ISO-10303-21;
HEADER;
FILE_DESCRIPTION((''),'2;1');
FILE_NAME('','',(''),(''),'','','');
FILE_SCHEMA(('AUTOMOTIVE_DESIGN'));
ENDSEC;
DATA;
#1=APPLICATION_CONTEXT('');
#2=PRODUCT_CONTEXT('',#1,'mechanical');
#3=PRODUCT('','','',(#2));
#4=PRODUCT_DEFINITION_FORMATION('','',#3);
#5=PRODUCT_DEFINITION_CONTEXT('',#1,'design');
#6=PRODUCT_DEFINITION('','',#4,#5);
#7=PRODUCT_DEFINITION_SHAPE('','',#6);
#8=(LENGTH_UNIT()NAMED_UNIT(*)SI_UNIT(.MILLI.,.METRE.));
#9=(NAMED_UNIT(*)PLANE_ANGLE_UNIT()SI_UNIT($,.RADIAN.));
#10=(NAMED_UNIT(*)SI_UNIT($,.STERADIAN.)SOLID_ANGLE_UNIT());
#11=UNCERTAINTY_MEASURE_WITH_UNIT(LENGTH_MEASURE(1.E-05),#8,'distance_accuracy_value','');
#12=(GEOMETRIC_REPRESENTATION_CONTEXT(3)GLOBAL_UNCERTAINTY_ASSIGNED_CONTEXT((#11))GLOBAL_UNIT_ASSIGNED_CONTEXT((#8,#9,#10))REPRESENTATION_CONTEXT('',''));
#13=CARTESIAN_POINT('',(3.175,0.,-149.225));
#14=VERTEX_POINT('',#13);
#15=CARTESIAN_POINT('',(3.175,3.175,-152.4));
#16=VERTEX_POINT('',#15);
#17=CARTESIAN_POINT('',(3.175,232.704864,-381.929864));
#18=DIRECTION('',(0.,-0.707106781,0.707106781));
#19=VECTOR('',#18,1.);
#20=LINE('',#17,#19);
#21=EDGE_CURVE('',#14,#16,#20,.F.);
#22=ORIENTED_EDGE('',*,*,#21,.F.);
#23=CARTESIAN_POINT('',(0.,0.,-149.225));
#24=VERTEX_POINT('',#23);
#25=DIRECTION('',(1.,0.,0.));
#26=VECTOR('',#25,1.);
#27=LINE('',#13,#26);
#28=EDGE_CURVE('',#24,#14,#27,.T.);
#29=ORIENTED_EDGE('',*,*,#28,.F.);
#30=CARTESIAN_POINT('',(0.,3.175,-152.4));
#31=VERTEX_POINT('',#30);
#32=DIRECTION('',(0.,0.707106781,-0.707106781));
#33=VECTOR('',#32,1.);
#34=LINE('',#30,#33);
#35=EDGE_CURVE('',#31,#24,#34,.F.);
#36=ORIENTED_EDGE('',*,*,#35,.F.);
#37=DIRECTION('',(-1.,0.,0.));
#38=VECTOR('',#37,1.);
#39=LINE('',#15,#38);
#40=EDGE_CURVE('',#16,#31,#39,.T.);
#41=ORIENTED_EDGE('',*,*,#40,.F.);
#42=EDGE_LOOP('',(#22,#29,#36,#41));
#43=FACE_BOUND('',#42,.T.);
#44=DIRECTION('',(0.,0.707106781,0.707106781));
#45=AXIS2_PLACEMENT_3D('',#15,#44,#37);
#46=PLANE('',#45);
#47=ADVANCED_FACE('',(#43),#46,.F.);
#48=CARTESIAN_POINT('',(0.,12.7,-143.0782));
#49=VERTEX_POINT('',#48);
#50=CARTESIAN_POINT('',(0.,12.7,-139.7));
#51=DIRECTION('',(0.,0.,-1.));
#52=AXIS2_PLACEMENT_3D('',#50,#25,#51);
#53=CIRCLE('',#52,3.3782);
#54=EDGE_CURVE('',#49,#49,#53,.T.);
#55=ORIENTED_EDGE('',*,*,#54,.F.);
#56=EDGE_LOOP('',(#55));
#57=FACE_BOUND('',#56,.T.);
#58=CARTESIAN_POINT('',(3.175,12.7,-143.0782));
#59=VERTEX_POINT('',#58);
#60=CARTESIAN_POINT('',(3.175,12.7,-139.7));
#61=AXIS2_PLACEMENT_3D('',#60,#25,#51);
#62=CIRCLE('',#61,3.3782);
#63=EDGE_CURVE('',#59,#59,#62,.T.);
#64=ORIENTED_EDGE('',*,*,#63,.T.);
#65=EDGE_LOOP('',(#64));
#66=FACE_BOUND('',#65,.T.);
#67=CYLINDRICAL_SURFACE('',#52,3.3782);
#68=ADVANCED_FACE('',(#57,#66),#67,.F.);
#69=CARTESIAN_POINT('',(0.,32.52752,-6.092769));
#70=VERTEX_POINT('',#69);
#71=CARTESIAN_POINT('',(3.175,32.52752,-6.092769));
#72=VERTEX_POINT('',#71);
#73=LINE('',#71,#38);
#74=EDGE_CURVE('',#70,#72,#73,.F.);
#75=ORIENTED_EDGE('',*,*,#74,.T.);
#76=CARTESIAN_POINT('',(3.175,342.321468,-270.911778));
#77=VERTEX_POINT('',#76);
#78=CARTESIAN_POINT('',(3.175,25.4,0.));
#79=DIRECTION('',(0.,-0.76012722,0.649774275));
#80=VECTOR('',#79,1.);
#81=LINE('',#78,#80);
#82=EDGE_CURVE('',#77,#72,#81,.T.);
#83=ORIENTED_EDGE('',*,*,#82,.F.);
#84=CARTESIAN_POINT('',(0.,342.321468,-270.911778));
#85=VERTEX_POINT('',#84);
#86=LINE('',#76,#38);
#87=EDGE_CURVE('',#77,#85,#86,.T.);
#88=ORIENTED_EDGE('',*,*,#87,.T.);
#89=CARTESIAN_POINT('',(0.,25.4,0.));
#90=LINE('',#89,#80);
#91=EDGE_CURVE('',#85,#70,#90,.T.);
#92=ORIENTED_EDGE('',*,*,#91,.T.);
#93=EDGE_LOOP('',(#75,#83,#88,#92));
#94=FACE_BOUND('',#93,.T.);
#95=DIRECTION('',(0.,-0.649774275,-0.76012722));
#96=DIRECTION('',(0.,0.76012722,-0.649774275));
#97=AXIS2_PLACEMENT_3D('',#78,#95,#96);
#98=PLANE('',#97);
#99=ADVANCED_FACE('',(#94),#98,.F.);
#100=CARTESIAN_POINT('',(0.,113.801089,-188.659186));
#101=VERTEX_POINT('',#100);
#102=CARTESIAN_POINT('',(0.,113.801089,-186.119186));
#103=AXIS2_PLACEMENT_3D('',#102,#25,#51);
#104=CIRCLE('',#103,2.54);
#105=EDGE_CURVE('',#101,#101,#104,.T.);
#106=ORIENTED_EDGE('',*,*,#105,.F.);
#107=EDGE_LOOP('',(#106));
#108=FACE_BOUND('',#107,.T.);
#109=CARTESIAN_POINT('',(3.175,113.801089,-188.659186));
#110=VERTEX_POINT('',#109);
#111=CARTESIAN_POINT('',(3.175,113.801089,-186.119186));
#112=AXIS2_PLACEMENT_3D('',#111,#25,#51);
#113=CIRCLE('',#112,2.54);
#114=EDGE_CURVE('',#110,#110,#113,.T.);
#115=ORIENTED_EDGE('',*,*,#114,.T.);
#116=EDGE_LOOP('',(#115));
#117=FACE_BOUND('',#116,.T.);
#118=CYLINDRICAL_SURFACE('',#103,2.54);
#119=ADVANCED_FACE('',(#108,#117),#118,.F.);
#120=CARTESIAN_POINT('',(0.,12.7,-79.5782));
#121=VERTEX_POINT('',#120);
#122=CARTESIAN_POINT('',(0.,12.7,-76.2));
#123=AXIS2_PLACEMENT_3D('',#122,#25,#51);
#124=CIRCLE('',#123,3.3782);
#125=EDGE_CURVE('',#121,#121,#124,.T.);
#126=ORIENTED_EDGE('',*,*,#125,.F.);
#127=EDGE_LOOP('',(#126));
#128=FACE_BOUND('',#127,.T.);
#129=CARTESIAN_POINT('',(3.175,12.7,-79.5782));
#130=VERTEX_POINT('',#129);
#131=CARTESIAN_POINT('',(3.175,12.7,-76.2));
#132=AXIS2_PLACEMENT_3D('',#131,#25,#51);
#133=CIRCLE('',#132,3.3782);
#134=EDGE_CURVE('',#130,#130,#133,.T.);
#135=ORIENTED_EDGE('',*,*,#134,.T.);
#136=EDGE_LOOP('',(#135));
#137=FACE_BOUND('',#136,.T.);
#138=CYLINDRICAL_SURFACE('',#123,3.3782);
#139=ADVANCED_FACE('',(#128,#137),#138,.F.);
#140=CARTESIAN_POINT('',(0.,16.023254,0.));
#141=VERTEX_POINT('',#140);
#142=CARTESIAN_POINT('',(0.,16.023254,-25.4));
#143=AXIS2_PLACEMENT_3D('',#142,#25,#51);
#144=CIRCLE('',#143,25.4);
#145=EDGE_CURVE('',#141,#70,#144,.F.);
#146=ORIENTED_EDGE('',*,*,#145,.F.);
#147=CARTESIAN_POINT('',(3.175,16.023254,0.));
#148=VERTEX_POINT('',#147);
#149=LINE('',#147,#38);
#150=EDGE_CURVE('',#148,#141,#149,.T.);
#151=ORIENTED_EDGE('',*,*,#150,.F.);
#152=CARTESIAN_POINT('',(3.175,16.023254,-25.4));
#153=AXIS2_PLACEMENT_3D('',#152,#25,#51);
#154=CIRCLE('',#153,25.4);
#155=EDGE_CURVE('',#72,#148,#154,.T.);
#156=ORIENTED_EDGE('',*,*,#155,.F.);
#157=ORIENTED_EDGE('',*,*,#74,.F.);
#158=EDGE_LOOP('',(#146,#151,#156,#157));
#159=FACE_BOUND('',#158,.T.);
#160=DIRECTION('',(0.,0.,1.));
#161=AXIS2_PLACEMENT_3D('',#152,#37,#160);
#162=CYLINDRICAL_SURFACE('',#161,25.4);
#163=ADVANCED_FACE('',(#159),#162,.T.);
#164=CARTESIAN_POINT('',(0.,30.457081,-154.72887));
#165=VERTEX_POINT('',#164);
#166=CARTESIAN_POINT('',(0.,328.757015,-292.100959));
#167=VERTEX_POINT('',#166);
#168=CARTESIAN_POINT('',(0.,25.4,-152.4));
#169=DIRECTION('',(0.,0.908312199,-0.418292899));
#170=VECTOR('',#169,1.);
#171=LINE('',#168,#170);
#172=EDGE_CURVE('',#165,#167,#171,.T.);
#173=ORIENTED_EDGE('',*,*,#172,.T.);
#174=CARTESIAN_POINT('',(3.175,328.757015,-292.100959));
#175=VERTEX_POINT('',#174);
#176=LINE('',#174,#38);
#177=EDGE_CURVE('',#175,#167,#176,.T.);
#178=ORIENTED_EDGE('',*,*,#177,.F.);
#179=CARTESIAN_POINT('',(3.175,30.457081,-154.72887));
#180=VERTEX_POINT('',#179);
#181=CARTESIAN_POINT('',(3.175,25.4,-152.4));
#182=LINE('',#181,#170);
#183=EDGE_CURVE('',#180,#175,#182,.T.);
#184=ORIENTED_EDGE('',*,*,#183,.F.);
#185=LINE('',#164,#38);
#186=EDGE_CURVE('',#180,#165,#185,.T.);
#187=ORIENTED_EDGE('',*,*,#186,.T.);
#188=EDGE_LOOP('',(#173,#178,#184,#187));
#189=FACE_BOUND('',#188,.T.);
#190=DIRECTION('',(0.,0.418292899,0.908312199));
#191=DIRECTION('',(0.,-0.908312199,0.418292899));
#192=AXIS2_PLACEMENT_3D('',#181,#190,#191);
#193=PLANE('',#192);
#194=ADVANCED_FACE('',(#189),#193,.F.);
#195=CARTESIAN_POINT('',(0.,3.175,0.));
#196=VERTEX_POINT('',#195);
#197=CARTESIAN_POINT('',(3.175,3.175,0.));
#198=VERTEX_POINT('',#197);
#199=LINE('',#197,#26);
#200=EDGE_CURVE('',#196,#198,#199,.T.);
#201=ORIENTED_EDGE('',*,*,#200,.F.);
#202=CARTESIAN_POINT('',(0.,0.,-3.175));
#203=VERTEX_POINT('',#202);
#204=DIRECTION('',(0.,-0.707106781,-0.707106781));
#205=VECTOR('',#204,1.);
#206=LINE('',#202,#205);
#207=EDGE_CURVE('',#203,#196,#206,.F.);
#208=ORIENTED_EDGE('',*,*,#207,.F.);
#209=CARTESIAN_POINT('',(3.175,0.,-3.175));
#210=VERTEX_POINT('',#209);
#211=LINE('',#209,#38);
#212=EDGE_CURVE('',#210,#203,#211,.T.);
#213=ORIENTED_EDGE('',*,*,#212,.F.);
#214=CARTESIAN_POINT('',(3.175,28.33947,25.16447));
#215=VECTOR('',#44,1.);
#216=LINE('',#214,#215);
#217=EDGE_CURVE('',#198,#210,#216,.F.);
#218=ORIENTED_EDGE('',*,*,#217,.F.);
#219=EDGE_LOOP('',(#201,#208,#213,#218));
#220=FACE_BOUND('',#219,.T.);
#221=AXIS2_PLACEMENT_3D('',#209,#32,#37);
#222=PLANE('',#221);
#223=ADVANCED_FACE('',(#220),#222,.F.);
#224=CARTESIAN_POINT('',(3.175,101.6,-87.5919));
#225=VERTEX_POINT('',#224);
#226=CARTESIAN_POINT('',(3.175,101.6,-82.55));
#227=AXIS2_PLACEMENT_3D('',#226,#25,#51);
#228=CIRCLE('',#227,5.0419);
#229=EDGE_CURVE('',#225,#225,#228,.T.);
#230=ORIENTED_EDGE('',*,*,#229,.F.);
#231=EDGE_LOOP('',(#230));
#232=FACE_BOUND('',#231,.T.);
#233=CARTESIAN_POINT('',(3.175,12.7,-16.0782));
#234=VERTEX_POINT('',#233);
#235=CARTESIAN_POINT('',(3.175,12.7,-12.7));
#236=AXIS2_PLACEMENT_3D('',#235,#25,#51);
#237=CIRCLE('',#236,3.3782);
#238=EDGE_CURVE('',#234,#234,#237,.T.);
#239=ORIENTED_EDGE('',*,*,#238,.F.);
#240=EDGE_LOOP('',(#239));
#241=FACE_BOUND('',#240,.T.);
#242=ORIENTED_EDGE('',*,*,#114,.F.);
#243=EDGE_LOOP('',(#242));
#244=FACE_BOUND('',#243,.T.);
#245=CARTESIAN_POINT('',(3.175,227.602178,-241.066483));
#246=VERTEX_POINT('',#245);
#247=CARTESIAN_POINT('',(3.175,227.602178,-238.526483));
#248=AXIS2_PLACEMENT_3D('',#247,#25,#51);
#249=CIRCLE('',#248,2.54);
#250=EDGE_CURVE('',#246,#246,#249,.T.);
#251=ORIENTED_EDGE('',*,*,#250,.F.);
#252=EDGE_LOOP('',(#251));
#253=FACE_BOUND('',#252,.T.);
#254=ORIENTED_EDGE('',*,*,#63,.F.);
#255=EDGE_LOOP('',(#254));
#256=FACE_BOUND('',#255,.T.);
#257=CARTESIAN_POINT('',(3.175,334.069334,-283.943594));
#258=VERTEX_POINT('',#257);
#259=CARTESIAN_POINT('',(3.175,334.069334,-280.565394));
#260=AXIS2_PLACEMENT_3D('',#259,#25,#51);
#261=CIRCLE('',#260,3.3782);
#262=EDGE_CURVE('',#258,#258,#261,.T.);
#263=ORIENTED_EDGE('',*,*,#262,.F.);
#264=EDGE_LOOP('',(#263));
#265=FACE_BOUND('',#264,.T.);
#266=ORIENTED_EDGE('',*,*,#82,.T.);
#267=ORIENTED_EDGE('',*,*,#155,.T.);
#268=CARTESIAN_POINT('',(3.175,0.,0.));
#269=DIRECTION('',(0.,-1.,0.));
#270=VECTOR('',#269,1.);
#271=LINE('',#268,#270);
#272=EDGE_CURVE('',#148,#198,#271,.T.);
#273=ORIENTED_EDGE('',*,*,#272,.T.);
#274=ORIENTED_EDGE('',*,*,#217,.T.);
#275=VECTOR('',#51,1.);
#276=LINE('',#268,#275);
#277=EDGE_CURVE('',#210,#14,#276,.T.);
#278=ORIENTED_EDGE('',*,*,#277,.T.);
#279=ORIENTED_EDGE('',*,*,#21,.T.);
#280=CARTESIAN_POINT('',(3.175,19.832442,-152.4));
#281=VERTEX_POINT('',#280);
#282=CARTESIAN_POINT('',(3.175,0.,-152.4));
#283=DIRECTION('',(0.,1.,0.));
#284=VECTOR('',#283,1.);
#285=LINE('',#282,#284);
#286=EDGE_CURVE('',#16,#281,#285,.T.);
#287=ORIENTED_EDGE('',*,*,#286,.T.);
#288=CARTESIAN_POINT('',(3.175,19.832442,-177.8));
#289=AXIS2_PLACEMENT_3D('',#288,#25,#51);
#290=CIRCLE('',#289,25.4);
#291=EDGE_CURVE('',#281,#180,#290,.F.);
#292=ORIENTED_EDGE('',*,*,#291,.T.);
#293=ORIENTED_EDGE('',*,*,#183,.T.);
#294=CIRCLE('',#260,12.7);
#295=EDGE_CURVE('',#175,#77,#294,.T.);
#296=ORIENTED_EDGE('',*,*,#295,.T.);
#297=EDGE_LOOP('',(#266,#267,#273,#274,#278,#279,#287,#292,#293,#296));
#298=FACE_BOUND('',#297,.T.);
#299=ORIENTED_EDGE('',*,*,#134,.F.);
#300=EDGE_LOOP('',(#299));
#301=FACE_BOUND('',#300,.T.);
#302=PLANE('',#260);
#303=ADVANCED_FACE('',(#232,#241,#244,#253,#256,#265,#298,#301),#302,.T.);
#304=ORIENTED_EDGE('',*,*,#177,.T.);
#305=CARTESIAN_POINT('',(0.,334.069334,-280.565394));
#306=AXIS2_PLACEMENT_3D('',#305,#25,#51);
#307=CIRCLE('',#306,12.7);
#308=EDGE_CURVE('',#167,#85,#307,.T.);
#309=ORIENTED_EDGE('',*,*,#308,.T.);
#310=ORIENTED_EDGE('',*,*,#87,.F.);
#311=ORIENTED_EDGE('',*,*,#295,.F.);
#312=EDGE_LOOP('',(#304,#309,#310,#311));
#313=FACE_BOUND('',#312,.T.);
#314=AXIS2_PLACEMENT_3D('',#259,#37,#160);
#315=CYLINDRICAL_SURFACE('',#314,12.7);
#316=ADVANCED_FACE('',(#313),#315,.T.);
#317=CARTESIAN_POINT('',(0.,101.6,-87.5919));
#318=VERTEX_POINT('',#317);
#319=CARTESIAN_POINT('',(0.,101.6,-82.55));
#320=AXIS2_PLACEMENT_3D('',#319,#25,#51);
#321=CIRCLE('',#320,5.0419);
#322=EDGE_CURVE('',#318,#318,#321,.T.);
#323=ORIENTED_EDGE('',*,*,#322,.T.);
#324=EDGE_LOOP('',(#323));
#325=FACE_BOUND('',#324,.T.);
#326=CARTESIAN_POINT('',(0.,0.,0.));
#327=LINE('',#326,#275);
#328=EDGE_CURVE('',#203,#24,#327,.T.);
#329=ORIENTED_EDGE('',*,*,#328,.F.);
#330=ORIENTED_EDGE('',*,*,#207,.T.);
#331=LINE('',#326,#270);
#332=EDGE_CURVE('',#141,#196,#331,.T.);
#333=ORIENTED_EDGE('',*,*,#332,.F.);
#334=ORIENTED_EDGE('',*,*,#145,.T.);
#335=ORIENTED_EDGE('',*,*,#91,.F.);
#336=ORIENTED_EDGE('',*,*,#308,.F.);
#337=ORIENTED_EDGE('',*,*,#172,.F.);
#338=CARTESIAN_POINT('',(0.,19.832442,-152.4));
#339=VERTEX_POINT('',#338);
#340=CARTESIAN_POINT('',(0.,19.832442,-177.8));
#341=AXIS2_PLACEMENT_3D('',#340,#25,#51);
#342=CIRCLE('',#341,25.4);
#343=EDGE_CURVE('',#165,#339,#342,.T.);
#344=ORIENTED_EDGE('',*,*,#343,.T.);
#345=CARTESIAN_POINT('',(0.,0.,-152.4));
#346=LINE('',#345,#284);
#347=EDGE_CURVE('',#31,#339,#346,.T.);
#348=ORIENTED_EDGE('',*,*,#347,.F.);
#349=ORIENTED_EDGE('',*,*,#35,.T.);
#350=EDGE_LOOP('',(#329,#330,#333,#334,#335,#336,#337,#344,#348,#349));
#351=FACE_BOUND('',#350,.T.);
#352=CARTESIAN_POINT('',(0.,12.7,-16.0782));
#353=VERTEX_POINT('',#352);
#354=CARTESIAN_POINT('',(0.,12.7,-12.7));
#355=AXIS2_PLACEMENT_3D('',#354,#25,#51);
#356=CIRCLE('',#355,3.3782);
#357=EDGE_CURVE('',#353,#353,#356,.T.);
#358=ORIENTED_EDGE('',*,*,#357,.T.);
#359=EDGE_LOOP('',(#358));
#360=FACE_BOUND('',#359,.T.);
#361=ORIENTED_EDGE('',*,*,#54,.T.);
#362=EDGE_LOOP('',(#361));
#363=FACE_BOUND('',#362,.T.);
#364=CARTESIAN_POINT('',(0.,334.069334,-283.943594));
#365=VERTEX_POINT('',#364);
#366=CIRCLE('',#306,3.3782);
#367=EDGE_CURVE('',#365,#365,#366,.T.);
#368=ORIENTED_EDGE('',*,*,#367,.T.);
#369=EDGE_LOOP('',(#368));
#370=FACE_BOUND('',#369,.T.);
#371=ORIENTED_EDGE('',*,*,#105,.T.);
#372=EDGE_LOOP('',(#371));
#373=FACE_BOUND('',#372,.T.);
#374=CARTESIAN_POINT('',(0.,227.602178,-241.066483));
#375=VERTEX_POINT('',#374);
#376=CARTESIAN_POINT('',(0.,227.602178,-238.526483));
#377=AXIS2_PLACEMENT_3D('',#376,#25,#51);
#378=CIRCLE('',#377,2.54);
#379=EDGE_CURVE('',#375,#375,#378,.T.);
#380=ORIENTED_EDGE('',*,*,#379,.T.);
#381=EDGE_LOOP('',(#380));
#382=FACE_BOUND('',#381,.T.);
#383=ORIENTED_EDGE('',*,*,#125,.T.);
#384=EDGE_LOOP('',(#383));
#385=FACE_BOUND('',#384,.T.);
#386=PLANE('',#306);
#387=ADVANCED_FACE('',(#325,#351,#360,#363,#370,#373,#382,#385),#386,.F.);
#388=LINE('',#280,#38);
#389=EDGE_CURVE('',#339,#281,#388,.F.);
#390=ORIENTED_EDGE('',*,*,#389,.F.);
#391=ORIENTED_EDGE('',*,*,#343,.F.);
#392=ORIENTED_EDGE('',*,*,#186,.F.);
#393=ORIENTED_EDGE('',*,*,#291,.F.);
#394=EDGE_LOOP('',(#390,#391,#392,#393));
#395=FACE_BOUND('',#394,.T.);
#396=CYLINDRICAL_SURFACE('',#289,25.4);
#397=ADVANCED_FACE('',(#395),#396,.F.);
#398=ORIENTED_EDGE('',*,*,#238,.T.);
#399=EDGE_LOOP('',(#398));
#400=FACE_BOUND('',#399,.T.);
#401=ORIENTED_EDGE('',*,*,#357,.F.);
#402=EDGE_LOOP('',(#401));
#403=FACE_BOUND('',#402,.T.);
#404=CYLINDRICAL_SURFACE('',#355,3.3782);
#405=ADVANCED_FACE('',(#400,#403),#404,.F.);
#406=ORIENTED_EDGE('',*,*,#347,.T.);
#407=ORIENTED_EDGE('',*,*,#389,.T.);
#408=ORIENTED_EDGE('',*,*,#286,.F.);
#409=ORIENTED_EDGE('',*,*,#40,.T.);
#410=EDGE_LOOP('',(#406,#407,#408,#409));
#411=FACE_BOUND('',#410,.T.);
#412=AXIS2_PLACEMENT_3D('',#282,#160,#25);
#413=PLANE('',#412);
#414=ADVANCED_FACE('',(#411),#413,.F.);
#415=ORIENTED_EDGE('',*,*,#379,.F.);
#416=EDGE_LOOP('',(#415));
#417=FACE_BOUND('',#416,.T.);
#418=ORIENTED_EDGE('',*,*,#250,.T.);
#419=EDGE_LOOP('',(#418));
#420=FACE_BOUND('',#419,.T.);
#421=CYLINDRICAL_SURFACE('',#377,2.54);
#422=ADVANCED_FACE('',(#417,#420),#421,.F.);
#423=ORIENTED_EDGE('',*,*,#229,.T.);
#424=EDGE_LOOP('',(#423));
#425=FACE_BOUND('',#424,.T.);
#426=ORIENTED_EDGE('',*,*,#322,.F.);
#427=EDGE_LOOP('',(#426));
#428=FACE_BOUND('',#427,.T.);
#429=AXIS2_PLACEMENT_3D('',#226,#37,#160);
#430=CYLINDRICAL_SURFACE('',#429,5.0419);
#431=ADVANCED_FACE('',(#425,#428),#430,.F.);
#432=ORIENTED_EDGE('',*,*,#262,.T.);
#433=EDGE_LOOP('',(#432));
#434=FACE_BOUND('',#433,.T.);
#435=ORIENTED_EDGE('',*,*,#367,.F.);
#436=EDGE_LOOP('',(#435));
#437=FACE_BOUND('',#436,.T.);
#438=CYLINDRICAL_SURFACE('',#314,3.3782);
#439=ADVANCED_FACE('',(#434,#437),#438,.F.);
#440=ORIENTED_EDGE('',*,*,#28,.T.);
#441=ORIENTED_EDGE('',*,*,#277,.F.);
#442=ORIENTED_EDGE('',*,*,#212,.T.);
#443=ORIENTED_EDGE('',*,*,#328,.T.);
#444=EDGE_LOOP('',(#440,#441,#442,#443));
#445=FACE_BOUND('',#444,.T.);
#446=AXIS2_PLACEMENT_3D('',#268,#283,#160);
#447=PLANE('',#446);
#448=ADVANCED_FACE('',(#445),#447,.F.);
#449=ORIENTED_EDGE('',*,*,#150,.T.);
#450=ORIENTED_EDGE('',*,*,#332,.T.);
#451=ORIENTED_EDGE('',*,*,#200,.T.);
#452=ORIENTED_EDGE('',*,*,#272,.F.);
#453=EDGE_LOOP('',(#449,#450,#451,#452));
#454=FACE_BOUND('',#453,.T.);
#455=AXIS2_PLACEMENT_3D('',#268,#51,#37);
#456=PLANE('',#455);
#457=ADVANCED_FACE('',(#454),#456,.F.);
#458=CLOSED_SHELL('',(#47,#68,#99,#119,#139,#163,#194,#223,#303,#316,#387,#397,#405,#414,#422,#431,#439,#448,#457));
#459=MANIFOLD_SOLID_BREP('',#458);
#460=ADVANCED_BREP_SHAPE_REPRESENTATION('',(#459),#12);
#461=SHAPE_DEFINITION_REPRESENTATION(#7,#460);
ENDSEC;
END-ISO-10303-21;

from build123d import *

# Parameters (mm, degrees)
SKETCH2_R           = 5.0419
SKETCH2_R_2         = 3.3782
BOSS_EXTRUDE2_DEPTH = 3.175
SKETCH3_R           = 3.3782
SKETCH3_R_2         = 2.54
CUT_EXTRUDE1_DEPTH  = 4.175
CHAMFER1_SIZE       = 3.175
FILLET1_R           = 25.4


with BuildPart() as part:
    # Sketch2 → Boss-Extrude2 (new body)
    with BuildSketch(Plane(origin=(0, 0, 0), x_dir=(0, 0, -1), z_dir=(1, 0, 0))):
        with BuildLine():
            Line((0, 0), (0, 25.4))
            Line((0, 25.4), (270.911778308, 342.321467673))
            ThreePointArc((270.911778308, 342.321467673), (287.412585426, 344.765407005), (292.10095893, 328.757014554))
            Line((292.10095893, 328.757014554), (152.4, 25.4))
            Line((152.4, 25.4), (152.4, 0))
            Line((152.4, 0), (0, 0))
        make_face()
        with Locations((82.55, 101.6)):
            Circle(SKETCH2_R, mode=Mode.SUBTRACT)
        with Locations((280.565394007, 334.069334376)):
            Circle(SKETCH2_R_2, mode=Mode.SUBTRACT)
    extrude(amount=BOSS_EXTRUDE2_DEPTH)

    # Sketch3 → Cut-Extrude1 (cut, through all)
    with BuildSketch(Plane(origin=(3.175, 0, 0), x_dir=(0, 0, -1), z_dir=(1, 0, 0))):
        with Locations((12.7, 12.7)):
            Circle(SKETCH3_R)
        with Locations((76.2, 12.7)):
            Circle(SKETCH3_R)
        with Locations((139.7, 12.7)):
            Circle(SKETCH3_R)
        with Locations((238.526483092, 227.602177824)):
            Circle(SKETCH3_R_2)
        with Locations((186.119185797, 113.801088912)):
            Circle(SKETCH3_R_2)
    extrude(amount=-CUT_EXTRUDE1_DEPTH, mode=Mode.SUBTRACT)

    # Chamfer1
    chamfer1_edges = [part.edges().sort_by_distance(p)[0] for p in [
        (1.5875, 0, 0),
        (1.5875, 0, -152.4),
    ]]
    chamfer(chamfer1_edges, length=CHAMFER1_SIZE)

    # Fillet1
    fillet1_edges = [part.edges().sort_by_distance(p)[0] for p in [
        (1.5875, 25.4, 0),
        (1.5875, 25.4, -152.4),
    ]]
    fillet(fillet1_edges, radius=FILLET1_R)


solid = part.part
